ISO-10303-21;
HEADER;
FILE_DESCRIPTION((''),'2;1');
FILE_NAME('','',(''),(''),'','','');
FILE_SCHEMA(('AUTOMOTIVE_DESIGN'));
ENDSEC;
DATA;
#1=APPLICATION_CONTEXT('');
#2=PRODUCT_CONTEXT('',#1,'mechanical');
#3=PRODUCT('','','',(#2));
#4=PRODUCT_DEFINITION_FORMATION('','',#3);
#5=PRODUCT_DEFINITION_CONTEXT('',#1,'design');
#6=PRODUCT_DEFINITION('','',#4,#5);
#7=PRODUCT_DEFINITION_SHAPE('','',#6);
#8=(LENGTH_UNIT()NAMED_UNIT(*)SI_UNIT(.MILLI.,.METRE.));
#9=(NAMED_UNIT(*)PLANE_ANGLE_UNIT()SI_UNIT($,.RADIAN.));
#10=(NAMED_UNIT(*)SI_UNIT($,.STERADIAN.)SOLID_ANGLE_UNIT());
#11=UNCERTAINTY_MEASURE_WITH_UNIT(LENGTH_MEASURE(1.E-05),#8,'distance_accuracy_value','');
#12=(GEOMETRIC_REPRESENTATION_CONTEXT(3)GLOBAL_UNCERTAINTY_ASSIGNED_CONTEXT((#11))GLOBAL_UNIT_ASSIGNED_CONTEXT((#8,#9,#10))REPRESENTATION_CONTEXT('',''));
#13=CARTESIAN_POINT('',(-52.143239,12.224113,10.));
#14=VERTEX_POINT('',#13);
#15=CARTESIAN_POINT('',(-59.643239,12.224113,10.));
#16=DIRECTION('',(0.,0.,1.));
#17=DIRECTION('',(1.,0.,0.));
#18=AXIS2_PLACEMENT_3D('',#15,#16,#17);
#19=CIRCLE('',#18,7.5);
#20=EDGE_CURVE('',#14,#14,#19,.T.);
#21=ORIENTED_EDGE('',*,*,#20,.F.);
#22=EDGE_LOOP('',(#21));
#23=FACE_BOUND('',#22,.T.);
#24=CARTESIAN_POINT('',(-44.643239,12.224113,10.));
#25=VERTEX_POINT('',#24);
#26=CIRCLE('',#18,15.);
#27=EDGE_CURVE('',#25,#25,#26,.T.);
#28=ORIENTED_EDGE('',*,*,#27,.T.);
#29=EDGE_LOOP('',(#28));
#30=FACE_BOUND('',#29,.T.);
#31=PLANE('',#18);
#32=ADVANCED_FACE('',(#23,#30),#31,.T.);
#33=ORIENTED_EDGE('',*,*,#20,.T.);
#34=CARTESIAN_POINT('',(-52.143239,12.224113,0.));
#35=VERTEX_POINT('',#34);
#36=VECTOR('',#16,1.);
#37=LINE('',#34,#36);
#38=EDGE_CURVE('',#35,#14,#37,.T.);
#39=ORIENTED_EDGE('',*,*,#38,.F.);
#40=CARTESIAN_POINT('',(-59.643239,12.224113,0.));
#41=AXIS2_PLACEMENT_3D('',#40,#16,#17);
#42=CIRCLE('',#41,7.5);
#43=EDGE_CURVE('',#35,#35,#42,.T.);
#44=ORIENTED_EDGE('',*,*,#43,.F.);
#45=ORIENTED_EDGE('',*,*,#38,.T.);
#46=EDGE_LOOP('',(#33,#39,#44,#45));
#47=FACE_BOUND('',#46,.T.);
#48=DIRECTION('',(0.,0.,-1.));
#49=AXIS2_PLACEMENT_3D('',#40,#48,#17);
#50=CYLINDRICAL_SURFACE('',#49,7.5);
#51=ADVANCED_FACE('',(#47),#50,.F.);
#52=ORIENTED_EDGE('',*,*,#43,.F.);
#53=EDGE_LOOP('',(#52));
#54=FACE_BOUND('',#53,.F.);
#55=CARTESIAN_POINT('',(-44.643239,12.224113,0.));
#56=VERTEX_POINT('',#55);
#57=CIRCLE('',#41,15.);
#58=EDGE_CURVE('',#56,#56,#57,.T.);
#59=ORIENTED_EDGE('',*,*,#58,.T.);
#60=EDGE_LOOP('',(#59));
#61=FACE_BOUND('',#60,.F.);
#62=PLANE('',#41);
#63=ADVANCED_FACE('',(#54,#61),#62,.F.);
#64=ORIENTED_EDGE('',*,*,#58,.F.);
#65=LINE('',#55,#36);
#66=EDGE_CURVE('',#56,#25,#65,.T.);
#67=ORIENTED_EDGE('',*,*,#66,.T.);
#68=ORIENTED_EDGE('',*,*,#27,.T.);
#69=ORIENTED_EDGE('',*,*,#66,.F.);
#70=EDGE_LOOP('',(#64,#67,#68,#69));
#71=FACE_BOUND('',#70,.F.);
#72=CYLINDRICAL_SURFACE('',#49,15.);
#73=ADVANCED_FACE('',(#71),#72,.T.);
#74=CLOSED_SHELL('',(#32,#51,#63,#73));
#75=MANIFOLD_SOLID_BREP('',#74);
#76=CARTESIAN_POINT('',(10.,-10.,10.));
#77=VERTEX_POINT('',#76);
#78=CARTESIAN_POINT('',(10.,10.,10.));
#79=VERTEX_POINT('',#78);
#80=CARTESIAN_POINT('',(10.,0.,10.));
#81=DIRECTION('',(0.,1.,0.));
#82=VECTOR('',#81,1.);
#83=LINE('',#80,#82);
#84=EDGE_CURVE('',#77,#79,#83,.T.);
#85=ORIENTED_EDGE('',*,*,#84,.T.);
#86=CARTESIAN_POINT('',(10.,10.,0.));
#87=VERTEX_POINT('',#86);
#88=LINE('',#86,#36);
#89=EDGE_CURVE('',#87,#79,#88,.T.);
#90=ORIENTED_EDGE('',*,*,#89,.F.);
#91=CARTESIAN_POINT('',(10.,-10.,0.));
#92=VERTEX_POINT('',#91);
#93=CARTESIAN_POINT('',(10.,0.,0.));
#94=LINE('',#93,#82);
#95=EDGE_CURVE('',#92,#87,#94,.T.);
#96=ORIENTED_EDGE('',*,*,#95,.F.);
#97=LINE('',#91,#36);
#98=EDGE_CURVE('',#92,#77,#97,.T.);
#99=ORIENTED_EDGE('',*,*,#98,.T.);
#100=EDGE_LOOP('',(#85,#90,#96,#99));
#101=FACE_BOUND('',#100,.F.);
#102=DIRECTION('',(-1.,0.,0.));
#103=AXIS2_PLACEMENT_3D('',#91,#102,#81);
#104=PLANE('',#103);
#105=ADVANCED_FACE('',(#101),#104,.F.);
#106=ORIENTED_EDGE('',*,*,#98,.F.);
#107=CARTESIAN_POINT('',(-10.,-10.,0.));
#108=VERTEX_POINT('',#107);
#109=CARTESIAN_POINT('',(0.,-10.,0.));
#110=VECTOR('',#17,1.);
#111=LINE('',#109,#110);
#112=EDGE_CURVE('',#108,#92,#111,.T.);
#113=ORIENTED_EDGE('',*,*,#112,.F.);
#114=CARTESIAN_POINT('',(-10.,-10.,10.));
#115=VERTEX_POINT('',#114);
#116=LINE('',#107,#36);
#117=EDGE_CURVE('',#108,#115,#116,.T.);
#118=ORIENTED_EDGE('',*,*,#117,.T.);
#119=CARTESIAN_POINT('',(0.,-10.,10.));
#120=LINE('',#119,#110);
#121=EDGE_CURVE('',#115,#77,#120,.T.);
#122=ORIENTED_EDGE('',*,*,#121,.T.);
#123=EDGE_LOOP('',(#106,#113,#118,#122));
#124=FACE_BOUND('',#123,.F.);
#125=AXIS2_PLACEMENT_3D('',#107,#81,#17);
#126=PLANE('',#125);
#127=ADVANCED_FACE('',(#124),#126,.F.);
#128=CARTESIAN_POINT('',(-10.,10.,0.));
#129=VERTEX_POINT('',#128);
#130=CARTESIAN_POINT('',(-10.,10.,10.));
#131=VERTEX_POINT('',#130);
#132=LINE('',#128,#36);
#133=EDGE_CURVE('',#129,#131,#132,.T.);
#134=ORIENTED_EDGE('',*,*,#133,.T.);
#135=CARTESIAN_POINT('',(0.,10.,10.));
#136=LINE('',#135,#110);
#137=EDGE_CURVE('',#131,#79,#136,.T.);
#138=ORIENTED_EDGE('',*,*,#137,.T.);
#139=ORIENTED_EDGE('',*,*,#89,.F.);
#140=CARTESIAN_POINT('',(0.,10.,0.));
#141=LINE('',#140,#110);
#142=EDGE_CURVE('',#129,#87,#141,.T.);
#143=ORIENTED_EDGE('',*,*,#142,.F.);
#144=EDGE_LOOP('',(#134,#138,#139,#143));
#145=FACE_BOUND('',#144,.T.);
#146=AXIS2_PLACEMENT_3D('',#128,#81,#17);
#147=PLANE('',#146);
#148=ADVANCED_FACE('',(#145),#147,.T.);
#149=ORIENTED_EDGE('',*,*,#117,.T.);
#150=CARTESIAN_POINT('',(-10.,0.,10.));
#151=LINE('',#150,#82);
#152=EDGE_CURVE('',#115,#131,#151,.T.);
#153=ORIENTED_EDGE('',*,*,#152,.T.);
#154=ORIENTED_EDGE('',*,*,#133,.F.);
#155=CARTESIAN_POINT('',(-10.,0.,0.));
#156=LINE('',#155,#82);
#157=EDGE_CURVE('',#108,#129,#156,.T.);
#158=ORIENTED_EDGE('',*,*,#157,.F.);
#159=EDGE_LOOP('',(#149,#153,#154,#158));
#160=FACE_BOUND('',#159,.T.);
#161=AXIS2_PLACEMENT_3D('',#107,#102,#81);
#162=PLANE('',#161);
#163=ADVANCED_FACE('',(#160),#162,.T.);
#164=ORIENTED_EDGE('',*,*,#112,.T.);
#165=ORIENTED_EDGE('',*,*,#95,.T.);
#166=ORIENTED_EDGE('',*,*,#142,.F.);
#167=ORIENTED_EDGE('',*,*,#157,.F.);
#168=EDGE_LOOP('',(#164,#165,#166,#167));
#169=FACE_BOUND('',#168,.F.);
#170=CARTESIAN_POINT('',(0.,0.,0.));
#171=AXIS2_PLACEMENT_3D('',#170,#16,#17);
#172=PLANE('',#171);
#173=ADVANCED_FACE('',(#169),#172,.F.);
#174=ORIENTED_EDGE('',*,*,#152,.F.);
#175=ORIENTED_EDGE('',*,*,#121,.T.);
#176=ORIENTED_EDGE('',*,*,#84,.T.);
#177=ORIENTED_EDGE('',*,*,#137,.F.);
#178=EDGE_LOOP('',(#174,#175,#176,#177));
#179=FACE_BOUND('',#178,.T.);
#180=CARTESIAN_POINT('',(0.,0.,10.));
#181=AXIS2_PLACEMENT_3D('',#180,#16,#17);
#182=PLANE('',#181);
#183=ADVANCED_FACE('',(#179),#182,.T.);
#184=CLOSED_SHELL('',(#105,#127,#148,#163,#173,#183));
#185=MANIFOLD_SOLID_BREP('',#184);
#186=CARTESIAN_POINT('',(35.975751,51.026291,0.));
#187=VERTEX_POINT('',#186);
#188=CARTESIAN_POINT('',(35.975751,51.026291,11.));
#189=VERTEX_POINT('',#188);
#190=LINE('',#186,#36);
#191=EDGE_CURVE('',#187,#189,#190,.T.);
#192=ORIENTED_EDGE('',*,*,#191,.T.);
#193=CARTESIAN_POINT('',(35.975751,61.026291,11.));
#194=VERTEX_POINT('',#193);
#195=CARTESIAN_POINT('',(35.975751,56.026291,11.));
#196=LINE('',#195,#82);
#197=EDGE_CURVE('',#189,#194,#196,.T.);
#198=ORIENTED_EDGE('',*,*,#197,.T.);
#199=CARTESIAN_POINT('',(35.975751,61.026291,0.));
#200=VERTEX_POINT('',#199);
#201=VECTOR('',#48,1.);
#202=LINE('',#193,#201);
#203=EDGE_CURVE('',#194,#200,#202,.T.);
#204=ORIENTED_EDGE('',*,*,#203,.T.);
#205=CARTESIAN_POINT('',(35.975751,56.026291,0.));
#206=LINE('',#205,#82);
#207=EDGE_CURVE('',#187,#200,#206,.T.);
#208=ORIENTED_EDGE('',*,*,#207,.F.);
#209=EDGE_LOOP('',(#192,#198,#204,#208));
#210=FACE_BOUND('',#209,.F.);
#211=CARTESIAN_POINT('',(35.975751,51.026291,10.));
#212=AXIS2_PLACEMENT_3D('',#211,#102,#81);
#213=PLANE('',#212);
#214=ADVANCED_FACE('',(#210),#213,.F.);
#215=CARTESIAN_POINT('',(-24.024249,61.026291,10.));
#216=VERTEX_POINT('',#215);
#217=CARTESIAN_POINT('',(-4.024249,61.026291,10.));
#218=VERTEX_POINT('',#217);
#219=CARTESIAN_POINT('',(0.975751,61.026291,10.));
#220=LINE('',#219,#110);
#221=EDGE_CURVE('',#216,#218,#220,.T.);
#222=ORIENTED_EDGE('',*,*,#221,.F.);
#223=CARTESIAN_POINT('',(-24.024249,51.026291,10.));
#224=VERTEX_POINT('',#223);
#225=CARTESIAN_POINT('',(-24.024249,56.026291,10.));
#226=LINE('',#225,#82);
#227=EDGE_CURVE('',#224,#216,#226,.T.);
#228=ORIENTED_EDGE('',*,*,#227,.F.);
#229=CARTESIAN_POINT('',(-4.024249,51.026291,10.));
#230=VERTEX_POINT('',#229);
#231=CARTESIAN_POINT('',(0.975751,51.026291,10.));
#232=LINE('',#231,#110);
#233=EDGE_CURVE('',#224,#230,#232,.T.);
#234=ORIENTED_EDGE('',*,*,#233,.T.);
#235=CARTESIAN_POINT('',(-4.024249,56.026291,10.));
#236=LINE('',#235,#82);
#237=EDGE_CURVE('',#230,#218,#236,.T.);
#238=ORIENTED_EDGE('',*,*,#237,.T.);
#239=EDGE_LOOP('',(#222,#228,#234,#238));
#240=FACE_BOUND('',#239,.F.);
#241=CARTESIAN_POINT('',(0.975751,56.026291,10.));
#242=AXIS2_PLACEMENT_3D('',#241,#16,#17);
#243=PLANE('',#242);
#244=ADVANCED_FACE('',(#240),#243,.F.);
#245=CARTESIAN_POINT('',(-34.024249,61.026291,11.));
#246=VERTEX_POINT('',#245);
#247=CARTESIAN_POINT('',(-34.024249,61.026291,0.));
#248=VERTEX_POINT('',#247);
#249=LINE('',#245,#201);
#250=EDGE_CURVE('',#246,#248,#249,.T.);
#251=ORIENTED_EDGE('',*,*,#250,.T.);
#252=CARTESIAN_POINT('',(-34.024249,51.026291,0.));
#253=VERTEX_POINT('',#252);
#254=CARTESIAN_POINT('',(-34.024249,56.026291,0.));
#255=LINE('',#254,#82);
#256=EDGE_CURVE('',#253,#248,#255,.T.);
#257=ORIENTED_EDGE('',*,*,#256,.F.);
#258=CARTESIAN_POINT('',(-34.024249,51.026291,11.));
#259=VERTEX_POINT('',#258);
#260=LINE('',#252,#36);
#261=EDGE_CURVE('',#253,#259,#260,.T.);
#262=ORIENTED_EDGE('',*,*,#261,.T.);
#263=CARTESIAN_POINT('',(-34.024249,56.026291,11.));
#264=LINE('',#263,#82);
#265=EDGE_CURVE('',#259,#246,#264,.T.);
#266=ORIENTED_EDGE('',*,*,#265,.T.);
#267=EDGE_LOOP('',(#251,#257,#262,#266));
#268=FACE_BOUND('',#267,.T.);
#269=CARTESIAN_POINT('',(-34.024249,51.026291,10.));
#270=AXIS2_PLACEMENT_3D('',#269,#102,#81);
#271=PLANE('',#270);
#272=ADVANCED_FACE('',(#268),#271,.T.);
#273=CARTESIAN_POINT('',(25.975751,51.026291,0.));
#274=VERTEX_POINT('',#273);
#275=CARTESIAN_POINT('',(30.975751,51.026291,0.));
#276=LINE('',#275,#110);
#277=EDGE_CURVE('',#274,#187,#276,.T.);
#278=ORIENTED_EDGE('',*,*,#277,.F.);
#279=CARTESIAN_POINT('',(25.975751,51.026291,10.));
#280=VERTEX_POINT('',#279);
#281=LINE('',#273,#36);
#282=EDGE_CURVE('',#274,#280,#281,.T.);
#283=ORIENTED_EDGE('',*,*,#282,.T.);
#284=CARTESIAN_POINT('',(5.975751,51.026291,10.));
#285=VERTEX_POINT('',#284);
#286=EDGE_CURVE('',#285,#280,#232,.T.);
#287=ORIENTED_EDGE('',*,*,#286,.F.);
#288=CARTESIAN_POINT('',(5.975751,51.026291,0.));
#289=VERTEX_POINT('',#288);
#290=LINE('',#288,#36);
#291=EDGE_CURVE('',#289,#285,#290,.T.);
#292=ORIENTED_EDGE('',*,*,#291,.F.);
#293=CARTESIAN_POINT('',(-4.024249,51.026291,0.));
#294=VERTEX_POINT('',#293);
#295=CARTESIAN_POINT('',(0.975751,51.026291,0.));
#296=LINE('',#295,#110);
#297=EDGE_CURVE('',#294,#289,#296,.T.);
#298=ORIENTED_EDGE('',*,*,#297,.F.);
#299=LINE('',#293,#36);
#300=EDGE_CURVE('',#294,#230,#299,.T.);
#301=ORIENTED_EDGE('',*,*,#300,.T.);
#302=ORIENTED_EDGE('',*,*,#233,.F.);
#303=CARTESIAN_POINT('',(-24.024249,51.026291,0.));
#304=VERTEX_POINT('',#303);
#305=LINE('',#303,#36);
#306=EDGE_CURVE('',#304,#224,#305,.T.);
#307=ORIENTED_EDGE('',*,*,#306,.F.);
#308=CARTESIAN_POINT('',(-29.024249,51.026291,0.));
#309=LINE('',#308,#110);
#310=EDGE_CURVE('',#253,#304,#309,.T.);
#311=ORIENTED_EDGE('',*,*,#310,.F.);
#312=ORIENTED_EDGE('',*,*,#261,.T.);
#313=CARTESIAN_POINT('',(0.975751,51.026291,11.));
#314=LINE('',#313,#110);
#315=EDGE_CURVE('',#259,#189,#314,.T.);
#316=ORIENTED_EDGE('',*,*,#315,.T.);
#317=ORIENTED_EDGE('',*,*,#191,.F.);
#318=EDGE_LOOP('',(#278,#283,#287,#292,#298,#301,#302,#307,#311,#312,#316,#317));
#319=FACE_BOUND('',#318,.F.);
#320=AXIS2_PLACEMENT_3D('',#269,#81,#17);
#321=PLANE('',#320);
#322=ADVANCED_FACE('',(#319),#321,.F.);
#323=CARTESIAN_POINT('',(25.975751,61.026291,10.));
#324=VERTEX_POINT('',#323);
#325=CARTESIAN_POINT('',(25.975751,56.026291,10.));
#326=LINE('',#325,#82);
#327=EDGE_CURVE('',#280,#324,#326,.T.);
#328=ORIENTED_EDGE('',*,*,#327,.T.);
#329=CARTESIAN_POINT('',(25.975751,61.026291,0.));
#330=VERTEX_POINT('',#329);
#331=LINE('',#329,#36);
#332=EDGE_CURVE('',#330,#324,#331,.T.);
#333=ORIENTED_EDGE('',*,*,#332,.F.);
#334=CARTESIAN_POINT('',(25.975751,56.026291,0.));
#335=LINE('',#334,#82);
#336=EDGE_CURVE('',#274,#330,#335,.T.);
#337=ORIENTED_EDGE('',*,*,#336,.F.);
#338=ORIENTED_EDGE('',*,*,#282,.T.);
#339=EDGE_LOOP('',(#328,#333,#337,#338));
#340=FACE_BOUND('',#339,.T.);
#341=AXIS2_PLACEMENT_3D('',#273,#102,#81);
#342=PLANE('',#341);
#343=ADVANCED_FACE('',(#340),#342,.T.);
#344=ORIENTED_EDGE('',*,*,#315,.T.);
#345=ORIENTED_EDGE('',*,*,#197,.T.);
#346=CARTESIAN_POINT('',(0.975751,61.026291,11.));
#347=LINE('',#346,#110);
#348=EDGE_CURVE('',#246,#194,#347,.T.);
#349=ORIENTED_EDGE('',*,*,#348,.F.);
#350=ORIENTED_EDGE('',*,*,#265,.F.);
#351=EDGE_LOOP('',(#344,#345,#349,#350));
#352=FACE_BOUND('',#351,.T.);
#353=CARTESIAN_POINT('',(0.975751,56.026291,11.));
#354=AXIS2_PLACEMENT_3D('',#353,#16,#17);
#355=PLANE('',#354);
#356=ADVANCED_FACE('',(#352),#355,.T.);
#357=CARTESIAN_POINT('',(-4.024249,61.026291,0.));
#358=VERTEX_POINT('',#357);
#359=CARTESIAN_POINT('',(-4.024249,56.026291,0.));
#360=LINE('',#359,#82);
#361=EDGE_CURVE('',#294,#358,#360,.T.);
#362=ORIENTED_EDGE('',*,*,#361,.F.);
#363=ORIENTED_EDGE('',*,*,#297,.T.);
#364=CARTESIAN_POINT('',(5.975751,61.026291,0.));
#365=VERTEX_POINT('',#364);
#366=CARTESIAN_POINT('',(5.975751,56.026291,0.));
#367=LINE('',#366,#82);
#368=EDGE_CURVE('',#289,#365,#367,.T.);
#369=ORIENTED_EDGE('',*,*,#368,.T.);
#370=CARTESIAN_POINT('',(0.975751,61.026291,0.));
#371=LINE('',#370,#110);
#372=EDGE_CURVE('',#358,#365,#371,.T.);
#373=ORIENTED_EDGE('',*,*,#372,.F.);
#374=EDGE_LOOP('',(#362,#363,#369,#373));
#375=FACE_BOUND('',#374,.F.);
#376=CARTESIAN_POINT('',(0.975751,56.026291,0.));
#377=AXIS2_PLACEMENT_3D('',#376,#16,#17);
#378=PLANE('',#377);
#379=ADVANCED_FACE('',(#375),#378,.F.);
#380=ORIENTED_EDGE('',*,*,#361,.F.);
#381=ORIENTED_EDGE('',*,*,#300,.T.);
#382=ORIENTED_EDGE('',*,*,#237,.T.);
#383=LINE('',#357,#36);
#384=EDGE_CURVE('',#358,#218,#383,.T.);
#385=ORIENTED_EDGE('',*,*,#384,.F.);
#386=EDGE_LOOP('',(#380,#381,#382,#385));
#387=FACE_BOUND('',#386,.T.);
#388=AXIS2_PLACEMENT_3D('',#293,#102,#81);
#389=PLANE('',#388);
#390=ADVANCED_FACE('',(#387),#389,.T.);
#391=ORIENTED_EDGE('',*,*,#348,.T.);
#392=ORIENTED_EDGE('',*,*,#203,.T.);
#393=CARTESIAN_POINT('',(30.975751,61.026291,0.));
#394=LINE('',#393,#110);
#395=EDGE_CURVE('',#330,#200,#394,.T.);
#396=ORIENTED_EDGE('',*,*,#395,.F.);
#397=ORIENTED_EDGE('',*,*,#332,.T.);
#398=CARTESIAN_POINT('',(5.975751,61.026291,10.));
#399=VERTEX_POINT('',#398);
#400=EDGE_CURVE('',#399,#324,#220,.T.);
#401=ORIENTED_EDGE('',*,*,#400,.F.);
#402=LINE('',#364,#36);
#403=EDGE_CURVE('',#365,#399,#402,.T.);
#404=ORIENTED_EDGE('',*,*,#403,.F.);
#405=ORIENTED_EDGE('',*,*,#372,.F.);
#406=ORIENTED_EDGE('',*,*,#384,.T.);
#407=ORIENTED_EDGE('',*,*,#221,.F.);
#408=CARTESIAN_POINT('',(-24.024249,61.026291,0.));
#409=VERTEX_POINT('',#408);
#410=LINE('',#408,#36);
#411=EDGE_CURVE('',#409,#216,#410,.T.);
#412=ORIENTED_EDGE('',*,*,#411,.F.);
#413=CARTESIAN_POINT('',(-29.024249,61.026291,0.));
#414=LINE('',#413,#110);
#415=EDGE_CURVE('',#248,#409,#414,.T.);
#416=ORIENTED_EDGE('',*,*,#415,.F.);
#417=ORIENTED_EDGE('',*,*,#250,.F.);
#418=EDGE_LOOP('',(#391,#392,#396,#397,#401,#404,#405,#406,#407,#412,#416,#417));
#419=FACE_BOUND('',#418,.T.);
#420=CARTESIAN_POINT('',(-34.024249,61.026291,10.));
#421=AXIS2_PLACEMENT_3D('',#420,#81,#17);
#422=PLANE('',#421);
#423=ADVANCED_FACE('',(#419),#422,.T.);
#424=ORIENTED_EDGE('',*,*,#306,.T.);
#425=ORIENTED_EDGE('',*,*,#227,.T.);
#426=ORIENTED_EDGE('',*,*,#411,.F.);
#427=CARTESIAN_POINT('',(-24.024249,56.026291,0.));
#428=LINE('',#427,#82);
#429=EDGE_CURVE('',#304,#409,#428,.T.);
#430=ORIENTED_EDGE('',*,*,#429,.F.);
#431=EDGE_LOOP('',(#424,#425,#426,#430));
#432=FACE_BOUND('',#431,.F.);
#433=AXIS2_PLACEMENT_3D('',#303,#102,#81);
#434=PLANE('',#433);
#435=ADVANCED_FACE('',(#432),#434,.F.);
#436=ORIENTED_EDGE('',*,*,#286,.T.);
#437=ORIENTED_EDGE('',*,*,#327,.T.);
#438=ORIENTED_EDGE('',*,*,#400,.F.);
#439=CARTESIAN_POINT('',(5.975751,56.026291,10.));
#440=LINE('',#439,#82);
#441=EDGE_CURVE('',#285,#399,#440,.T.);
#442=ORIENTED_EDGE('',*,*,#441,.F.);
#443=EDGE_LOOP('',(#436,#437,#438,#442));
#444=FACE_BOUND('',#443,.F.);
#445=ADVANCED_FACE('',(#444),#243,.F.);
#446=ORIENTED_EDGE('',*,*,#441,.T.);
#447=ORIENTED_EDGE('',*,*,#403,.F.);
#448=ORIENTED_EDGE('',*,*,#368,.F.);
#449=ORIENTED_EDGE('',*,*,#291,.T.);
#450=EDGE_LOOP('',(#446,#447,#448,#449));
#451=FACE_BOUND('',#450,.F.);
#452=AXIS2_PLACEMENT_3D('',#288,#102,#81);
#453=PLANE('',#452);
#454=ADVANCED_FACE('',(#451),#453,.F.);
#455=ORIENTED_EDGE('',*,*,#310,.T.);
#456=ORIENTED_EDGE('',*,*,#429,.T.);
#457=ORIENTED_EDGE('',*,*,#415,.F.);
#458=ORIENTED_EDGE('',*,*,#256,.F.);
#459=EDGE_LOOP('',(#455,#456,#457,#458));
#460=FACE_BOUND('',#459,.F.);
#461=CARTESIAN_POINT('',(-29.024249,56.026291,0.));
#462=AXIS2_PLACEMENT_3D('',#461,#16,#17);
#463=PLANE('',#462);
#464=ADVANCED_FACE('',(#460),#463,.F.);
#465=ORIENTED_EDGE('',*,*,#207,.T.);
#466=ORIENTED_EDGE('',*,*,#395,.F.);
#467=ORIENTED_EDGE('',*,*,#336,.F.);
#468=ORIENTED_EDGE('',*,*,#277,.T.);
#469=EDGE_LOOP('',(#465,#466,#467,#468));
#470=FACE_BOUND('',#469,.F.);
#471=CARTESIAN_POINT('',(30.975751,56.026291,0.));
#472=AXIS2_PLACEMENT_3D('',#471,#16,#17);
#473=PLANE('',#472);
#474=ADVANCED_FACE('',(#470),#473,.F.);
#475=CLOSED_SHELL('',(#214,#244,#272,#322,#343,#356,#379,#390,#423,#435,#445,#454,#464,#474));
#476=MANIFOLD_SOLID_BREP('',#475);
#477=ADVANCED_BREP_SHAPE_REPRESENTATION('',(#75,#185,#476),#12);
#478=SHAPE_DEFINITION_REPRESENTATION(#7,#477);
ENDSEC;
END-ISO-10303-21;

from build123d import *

# Parameters (mm, degrees)
F0_W     = 20
F0_H     = 20
F1_DEPTH = 10
F2_W     = 10
F2_H     = 10
F3_DEPTH = 10
F4_W     = 70
F4_H     = 10
F5_DEPTH = 1
F6_R     = 15
F6_R_2   = 7.5
F7_DEPTH = 10


with BuildPart() as f1:
    # F0 (on Top) → F1 (new body)
    with BuildSketch(Plane.XY):
        Rectangle(F0_W, F0_H)
    extrude(amount=F1_DEPTH)


with BuildPart() as f3:
    # F2 (on Top) → F3 (new body)
    with BuildSketch(Plane.XY):
        with Locations((-29.024249, 56.026291)):
            Rectangle(F2_W, F2_H)
        with Locations((0.975751, 56.026291)):
            Rectangle(F2_W, F2_H)
        with Locations((30.975751, 56.026291)):
            Rectangle(F2_W, F2_H)
    extrude(amount=F3_DEPTH)

    # F4 (on face) → F5 (join)
    with BuildSketch(Plane.XY.offset(10)):
        with Locations((0.975751, 56.026291)):
            Rectangle(F4_W, F4_H)
    extrude(amount=F5_DEPTH)


with BuildPart() as f7:
    # F6 (on Top) → F7 (new body)
    with BuildSketch(Plane.XY):
        with Locations((-59.643239, 12.224113)):
            Circle(F6_R)
        with Locations((-59.643239, 12.224113)):
            Circle(F6_R_2, mode=Mode.SUBTRACT)
    extrude(amount=F7_DEPTH)


solid = Compound([f1.part, f3.part, f7.part])
